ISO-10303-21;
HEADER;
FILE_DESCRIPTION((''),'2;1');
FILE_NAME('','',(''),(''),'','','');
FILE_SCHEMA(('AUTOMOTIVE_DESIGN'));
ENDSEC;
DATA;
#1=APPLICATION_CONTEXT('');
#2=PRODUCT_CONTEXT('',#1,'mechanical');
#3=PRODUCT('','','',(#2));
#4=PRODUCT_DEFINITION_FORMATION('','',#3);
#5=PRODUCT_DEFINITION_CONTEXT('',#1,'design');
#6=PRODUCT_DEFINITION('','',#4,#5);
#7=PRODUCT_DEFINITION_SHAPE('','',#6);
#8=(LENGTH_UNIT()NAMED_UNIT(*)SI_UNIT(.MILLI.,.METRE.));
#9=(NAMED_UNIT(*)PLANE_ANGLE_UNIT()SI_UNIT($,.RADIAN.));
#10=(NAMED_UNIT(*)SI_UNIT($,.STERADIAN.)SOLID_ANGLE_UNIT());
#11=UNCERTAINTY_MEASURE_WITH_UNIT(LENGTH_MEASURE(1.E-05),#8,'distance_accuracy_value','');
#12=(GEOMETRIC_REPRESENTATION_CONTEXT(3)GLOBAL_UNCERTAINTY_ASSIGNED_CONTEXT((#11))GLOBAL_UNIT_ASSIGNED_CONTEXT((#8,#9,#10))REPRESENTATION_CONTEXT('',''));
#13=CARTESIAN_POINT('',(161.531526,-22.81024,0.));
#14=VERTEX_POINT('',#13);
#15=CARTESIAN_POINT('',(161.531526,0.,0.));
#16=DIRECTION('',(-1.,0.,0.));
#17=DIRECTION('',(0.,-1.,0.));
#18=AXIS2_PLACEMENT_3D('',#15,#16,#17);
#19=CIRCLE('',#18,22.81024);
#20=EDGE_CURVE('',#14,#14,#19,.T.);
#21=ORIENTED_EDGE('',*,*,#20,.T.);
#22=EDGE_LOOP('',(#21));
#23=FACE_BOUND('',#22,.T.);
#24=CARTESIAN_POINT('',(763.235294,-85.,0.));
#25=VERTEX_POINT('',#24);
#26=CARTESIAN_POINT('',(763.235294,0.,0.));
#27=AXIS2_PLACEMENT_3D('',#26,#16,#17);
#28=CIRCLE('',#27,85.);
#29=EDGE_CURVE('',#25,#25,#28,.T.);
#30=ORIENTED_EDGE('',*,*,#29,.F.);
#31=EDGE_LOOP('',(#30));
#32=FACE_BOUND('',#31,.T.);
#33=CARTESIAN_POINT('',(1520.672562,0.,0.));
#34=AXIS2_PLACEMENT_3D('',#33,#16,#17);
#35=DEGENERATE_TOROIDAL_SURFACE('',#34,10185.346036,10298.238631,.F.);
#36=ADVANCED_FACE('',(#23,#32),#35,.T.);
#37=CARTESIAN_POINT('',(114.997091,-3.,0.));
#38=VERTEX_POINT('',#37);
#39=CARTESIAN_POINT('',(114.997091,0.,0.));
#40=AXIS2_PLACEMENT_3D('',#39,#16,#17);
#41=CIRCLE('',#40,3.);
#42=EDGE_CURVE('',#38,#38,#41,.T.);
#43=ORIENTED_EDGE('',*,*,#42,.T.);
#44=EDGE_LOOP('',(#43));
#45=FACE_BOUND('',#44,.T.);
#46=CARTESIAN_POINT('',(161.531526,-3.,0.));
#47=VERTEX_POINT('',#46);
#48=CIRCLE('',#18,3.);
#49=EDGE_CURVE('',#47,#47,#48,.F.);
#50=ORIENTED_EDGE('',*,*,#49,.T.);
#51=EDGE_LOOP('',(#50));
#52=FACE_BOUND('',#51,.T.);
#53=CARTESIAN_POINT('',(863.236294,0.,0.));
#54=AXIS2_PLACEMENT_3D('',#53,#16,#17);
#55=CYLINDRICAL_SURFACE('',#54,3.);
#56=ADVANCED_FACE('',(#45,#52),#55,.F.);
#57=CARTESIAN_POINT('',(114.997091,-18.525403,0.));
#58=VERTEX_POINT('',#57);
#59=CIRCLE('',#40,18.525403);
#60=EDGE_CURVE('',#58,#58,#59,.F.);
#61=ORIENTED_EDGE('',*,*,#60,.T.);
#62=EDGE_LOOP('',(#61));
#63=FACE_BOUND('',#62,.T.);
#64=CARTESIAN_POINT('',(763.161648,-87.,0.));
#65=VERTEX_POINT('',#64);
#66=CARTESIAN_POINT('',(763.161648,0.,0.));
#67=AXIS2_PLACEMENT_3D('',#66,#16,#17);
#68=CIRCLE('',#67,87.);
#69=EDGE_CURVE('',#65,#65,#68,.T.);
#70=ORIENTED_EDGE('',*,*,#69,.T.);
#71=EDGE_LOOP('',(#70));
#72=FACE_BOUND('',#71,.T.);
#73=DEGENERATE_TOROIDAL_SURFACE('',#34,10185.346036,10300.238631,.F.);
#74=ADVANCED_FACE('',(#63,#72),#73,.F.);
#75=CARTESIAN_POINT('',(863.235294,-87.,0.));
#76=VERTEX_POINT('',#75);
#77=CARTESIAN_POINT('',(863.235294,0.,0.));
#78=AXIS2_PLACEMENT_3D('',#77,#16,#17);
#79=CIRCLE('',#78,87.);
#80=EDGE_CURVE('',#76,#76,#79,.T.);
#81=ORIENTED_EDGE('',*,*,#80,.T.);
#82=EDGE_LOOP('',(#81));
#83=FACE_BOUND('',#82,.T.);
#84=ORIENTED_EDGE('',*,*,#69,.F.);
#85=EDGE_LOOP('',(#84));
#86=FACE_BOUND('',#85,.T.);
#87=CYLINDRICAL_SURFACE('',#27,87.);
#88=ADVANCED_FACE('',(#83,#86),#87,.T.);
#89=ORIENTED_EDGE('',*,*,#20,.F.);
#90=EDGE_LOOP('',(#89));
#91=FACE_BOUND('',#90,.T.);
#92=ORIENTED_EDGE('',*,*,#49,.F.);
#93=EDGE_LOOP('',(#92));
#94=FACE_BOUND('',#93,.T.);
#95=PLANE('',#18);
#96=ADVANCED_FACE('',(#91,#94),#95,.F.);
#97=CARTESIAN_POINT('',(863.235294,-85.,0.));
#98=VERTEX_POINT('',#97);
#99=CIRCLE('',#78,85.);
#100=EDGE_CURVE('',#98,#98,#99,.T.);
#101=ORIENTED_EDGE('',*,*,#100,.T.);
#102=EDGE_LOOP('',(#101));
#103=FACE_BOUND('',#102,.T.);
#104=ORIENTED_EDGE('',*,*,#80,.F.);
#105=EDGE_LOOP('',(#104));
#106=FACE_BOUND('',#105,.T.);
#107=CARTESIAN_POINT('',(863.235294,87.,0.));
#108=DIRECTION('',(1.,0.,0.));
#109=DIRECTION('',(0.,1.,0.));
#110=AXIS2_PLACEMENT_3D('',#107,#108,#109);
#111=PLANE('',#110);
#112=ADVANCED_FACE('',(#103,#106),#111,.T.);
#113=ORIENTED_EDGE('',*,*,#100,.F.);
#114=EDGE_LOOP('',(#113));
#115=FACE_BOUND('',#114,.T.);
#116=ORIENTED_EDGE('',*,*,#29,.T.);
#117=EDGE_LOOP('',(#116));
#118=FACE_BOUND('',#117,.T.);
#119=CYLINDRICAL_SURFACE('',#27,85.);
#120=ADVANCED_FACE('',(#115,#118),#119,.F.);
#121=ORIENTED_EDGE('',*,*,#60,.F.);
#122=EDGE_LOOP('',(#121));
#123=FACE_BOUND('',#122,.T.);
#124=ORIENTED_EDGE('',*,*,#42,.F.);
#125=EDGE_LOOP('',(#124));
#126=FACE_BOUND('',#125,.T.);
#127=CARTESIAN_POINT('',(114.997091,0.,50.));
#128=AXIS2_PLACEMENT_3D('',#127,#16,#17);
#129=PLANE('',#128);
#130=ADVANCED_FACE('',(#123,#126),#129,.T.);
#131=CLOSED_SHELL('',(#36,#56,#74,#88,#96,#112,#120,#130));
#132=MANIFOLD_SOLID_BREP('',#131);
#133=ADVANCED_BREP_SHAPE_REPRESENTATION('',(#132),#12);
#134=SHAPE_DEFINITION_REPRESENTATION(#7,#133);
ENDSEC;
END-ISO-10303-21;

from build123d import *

# Parameters (mm, degrees)
SKETCH14_W         = 99.852899645
SKETCH14_H         = 2
CUT_EXTRUDE1_DEPTH = 50
CUT_EXTRUDE2_REACH = 760.286
SKETCH21_R         = 3


with BuildPart() as part:
    # Sketch1 → Revolve1 (revolve)
    with BuildSketch(Plane(origin=(0, 0, 0), x_dir=(-1, 0, 0), z_dir=(0, 0, -1)), mode=Mode.PRIVATE) as revolve1_sk:
        with BuildLine():
            Line((-763.382394472, 85), (-763.235294117, 85))
            ThreePointArc((-763.235294117, 85), (-461.926690188, 58.32401398), (-161.53152562, 22.810240092))
            Line((-161.53152562, 22.810240092), (-161.53152562, 0))
            Line((-161.53152562, 0), (18.46847438, 0))
            Line((18.46847438, 0), (0.295326728, 1.978075358))
            ThreePointArc((0.295326728, 1.978075358), (-380.640283603, 51.608700281), (-763.161647781, 87))
            Line((-763.161647781, 87), (-763.382394472, 87))
            Line((-763.382394472, 87), (-763.382394472, 85))
        make_face()
    revolve(revolve1_sk.sketch.rotate(Axis((763.235294117, 0, 0), (-1, 0, 0)), 180), axis=Axis((763.235294117, 0, 0), (-1, 0, 0)))

    # Sketch14 → Revolve4 (revolve)
    with BuildSketch(Plane(origin=(0, 0, 0), x_dir=(-1, 0, 0), z_dir=(0, 0, -1)), mode=Mode.PRIVATE) as revolve4_sk:
        with Locations((-813.308844295, 86)):
            Rectangle(SKETCH14_W, SKETCH14_H)
    revolve(revolve4_sk.sketch.rotate(Axis((763.235294117, 0, 0), (1, 0, 0)), 180), axis=Axis((763.235294117, 0, 0), (1, 0, 0)))

    # Sketch15 → Cut-Extrude1 (cut, symmetric)
    with BuildSketch(Plane.XY):
        Polygon((-1798.394426372, -1.080422086), (-17.779665104, -0.07497417), (114.997091286, 0), (114.997091286, 42.308767364), (-24.793740749, 42.308767364), (-24.793740749, -36.098631976), (114.997091286, -36.098631976), (114.997091286, 0), (114.997091286, 1780.615045137), (-2311.882223875, 4386.879909942), (-4225.273741533, 2605.184442719), align=None)
    extrude(amount=CUT_EXTRUDE1_DEPTH, both=True, mode=Mode.SUBTRACT)


with BuildPart() as cut_extrude1_kept_piece:
    # of the separate pieces the step leaves, the one the design keeps (cut_extrude1_pieces_kept)
    add(part.part.solids().sort_by_distance((763.161647781, -87, 0))[0])

    # Sketch21 → Cut-Extrude2 (cut, up to next)
    with BuildSketch(Plane.ZY.offset(-114.997091286), mode=Mode.PRIVATE) as cut_extrude2_sk1:
        with Locations(Location((0, 0, 0), (0, 0, 270))):
            Circle(SKETCH21_R)
    cut_extrude2_tool1 = extrude(cut_extrude2_sk1.sketch, amount=-CUT_EXTRUDE2_REACH, mode=Mode.PRIVATE) & cut_extrude1_kept_piece.part
    add(cut_extrude2_tool1.solids().sort_by_distance((114.997091, 0, 0))[0], mode=Mode.SUBTRACT)


solid = cut_extrude1_kept_piece.part
